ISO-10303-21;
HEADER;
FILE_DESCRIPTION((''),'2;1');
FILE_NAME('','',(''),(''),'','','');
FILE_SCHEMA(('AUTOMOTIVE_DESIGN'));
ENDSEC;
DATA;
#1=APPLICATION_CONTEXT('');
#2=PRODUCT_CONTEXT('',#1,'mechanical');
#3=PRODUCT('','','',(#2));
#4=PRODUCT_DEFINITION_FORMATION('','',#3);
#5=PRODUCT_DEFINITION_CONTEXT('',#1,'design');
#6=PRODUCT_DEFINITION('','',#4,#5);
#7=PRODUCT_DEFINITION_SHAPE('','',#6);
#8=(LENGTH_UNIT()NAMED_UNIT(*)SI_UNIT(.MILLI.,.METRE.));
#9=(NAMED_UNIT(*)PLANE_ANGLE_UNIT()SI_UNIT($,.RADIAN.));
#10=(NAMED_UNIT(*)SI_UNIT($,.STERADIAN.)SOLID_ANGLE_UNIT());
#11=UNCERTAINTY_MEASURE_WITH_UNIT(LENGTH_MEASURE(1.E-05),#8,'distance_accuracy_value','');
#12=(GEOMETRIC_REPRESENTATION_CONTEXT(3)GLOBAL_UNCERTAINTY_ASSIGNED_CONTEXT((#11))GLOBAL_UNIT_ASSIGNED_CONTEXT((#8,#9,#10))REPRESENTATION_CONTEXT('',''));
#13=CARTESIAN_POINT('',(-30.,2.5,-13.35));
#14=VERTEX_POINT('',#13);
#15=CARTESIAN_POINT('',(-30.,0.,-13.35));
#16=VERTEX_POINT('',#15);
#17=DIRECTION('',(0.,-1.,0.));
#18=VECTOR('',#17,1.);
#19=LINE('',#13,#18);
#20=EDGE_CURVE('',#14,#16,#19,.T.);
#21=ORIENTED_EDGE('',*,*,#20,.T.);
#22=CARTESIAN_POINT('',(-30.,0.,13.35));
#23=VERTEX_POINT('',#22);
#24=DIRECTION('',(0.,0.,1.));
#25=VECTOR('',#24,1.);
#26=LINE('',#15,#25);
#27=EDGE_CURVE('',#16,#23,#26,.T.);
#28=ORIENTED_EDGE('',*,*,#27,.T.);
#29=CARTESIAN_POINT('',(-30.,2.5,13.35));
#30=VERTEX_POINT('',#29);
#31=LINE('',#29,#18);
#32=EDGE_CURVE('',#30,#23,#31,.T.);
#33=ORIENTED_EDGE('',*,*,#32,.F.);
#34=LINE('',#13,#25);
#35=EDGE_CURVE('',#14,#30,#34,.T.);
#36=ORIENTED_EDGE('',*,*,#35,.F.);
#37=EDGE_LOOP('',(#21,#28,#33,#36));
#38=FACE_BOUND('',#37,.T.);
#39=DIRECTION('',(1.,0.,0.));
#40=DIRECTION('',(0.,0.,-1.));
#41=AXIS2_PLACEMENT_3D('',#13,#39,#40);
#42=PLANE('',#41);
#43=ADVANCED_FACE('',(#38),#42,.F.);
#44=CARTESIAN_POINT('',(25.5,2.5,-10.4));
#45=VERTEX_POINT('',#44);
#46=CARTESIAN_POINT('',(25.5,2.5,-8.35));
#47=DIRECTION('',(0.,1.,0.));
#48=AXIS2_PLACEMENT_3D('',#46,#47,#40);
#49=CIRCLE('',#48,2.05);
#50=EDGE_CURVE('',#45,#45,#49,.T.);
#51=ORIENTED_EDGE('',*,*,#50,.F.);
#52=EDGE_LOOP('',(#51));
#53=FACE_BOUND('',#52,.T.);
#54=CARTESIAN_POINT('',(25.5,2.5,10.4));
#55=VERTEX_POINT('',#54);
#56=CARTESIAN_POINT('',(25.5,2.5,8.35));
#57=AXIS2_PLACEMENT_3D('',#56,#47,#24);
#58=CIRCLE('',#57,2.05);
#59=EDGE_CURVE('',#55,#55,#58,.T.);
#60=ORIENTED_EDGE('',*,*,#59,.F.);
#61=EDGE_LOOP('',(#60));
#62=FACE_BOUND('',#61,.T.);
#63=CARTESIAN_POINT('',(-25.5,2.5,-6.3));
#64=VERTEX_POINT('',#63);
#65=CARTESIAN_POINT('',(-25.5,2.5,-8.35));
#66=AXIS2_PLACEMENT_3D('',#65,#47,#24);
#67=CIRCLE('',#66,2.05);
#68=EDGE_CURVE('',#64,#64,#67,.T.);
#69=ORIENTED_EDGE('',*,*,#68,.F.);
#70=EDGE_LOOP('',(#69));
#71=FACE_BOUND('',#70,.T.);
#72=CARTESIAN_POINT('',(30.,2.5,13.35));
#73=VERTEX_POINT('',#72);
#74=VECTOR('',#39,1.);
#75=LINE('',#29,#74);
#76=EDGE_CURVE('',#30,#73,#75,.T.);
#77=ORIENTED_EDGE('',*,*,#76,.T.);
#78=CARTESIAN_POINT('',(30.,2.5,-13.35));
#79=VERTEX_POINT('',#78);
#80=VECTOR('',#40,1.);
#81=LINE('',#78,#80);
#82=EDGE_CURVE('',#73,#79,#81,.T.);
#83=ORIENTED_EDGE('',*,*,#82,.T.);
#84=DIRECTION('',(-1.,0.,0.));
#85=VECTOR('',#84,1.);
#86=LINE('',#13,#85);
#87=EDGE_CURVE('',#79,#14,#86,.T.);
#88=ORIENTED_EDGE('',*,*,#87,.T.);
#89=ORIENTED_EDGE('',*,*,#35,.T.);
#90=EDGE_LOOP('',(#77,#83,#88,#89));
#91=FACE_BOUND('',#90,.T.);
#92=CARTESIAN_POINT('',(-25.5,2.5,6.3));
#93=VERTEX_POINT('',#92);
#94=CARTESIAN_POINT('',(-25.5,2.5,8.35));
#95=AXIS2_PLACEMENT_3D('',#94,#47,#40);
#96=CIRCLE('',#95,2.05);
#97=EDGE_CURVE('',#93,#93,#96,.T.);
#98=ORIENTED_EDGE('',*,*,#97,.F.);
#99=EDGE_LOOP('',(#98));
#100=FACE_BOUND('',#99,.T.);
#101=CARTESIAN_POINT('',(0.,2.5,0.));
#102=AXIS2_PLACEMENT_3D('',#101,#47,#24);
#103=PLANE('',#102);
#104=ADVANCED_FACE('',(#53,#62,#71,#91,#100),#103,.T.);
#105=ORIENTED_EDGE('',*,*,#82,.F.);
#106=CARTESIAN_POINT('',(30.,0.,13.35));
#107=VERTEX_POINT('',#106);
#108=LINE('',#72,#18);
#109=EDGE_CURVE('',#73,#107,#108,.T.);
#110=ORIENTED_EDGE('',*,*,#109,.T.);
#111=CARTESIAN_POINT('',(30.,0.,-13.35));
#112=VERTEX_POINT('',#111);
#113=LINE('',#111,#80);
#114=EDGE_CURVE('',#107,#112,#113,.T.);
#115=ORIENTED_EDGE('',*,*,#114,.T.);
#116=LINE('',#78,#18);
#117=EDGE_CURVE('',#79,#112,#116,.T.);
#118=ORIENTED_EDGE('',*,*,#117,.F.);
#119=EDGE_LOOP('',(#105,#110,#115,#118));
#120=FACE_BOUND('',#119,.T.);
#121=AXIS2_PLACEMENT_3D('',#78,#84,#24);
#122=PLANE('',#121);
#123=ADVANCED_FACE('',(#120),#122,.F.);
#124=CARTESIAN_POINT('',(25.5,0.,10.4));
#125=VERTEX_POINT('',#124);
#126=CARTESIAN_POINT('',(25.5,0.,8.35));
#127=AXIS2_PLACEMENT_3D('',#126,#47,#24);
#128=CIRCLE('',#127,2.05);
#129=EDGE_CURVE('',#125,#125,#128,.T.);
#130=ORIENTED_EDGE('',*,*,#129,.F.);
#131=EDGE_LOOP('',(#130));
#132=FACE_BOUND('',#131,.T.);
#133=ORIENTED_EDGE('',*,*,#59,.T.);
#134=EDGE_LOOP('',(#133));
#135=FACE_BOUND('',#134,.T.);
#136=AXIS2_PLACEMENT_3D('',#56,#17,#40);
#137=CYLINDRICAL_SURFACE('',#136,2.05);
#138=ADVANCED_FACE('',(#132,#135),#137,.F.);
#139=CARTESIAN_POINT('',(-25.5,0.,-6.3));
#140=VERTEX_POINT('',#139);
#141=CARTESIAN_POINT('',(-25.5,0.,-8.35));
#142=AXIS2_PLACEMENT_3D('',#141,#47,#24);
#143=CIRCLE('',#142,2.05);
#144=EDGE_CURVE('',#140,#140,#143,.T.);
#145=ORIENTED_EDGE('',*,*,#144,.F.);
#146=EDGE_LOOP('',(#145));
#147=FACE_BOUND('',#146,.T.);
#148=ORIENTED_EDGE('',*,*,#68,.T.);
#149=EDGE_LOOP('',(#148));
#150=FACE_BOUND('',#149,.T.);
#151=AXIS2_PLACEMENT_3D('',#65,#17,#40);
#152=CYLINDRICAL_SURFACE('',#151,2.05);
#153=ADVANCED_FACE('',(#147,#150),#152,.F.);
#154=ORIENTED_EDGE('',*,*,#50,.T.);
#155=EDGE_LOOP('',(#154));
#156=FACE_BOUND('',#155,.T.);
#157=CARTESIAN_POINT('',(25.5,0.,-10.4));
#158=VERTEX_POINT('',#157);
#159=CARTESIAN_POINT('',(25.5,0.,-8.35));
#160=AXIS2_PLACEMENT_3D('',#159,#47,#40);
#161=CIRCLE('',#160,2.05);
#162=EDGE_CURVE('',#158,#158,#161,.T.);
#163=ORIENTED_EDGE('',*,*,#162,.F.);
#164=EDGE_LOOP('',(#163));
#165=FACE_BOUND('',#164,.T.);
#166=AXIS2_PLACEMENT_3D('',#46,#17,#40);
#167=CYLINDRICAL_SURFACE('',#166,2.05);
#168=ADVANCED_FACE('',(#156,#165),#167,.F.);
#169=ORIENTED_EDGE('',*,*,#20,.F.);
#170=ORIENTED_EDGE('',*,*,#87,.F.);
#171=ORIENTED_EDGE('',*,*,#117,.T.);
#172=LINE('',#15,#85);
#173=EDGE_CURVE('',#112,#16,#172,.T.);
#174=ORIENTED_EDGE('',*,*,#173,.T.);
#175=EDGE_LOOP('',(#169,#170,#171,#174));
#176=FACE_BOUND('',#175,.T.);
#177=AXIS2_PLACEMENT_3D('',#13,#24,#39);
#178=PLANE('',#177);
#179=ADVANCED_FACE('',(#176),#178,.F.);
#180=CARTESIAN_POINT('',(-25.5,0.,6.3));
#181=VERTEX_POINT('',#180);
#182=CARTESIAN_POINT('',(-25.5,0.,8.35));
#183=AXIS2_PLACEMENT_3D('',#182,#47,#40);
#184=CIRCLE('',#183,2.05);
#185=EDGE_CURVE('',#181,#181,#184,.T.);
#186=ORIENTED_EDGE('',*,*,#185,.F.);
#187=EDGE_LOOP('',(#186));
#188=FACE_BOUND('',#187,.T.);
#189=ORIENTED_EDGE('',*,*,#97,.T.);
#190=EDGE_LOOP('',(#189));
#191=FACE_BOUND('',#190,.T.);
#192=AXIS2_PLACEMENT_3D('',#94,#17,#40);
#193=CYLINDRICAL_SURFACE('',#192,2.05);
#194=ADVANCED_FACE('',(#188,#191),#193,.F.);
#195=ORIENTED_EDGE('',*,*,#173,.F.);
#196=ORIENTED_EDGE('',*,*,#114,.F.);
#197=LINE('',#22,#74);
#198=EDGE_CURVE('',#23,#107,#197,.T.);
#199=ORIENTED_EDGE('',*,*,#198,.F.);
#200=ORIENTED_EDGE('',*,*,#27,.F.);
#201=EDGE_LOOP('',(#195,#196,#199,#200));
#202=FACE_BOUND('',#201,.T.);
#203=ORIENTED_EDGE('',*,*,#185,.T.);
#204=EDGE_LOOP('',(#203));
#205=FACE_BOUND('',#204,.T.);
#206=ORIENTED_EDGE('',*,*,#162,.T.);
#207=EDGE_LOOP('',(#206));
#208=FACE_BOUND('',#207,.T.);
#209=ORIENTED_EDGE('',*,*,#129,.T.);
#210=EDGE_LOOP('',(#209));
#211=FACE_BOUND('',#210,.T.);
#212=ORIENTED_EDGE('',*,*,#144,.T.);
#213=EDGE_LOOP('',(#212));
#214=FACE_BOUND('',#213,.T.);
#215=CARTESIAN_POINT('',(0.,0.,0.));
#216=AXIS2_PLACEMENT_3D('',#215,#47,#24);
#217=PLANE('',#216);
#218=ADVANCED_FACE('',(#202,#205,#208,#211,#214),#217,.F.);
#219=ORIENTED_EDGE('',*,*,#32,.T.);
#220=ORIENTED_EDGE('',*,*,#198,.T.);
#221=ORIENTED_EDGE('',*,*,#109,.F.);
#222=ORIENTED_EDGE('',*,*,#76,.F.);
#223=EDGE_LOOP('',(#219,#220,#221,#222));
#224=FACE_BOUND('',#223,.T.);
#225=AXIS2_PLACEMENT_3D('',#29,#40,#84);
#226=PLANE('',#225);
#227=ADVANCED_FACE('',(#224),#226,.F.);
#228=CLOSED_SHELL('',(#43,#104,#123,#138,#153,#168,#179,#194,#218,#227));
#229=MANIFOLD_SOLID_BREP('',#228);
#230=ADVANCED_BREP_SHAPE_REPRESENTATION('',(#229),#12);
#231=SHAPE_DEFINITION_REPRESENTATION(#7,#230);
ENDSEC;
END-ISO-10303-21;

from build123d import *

# Parameters (mm, degrees)
ESQUISSE1_W        = 60
ESQUISSE1_H        = 26.7
ESQUISSE1_R        = 2.05
BOSS_EXTRU_1_DEPTH = 2.5


with BuildPart() as part:
    # Esquisse1 → Boss.-Extru.1 (new body)
    with BuildSketch(Plane(origin=(0, 0, 0), x_dir=(1, 0, 0), z_dir=(0, 1, 0))):
        Rectangle(ESQUISSE1_W, ESQUISSE1_H)
        with Locations(Location((-25.5, 8.35, 0), (0, 0, 270))):
            Circle(ESQUISSE1_R, mode=Mode.SUBTRACT)
        with Locations(Location((25.5, 8.35, 0), (0, 0, 90))):
            Circle(ESQUISSE1_R, mode=Mode.SUBTRACT)
        with Locations(Location((25.5, -8.35, 0), (0, 0, 270))):
            Circle(ESQUISSE1_R, mode=Mode.SUBTRACT)
        with Locations(Location((-25.5, -8.35, 0), (0, 0, 90))):
            Circle(ESQUISSE1_R, mode=Mode.SUBTRACT)
    extrude(amount=BOSS_EXTRU_1_DEPTH)


solid = part.part
